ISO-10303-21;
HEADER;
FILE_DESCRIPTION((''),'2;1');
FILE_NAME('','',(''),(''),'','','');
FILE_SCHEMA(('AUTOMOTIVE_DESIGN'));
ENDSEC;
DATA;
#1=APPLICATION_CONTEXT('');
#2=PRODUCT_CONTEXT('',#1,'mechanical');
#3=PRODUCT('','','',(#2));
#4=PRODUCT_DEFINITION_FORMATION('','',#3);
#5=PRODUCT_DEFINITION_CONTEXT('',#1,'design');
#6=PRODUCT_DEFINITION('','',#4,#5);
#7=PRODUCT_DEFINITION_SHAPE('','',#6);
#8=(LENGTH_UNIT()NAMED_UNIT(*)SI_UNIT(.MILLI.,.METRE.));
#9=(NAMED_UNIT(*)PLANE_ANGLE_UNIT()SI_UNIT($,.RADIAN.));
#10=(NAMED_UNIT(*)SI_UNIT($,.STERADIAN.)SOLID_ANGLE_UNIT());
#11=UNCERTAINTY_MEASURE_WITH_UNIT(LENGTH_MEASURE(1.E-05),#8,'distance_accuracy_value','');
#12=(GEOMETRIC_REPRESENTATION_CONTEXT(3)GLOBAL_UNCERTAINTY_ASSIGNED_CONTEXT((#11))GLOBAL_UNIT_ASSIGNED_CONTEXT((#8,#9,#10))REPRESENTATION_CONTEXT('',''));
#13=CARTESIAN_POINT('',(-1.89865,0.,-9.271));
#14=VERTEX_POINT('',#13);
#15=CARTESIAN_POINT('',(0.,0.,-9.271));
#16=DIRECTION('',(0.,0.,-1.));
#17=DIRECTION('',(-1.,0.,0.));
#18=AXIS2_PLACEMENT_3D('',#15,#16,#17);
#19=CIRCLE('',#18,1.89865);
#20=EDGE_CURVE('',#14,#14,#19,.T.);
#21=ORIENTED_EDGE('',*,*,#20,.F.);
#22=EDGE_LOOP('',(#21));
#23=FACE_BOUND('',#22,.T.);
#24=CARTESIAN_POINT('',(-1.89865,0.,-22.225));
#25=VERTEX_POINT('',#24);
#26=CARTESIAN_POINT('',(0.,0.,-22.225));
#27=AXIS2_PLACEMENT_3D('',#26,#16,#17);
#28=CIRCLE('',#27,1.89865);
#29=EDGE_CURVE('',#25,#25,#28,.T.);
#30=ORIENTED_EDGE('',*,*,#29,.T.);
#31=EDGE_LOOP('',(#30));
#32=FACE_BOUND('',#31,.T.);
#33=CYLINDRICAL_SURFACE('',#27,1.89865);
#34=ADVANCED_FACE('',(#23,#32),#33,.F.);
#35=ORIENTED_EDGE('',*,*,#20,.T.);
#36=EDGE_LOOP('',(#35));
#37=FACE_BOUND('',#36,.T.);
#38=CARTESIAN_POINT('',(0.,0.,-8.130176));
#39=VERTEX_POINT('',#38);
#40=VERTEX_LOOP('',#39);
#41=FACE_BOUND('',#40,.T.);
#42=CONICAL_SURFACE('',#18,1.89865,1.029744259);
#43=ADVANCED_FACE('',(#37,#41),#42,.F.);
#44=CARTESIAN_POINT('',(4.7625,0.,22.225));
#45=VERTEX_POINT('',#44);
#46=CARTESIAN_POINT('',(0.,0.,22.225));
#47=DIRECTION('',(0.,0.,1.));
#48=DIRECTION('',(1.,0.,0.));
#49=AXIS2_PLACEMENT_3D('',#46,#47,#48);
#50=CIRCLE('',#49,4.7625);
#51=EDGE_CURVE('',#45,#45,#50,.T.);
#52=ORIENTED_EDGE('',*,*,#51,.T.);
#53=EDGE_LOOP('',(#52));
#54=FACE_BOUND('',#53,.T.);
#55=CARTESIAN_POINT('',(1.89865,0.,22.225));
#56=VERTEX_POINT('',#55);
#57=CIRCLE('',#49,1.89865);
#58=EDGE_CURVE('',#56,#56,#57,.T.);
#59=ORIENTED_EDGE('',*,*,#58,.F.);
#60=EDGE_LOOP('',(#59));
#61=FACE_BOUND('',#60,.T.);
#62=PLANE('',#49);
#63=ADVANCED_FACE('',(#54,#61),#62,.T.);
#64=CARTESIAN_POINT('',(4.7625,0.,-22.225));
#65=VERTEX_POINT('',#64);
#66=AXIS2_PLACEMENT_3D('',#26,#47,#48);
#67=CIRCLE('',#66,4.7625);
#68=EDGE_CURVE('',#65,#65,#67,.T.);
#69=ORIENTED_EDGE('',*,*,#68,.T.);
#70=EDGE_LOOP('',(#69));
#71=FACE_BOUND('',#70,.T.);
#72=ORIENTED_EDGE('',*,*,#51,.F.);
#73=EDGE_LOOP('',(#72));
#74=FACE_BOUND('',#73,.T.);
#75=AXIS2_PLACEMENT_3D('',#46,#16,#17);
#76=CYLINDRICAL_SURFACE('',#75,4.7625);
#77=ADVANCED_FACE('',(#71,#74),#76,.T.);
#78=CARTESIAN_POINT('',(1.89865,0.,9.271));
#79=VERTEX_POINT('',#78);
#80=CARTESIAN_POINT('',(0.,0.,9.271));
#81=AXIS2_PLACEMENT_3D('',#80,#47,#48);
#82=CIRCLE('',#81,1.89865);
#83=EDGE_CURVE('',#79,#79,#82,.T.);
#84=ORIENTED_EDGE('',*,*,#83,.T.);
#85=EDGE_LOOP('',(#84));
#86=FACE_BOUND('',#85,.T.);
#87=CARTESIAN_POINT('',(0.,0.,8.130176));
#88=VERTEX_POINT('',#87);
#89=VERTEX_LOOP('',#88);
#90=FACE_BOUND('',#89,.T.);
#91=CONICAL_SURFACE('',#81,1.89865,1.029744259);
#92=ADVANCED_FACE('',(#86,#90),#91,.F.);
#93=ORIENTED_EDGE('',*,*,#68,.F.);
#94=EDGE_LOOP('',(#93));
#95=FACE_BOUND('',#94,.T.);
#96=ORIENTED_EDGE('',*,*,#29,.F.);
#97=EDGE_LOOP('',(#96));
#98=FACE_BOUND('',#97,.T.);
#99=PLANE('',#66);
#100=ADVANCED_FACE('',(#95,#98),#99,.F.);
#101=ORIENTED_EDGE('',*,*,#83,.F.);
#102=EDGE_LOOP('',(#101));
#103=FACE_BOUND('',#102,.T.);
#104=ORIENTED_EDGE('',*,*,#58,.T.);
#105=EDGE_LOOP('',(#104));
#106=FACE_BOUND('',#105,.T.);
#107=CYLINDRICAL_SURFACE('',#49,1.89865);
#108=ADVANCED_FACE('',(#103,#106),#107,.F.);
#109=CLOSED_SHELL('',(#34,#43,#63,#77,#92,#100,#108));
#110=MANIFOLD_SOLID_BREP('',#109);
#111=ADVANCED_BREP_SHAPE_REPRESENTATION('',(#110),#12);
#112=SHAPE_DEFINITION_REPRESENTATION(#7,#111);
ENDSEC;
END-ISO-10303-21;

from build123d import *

# Parameters (mm, degrees)
SKETCH1_R                            = 4.7625
BOSS_EXTRUDE1_DEPTH                  = 22.225
F_10_24_TAPPED_HOLE1_D               = 3.7973
F_10_24_TAPPED_HOLE1_DEPTH           = 12.954
F_10_24_TAPPED_HOLE1_TIP             = 1.140824014
F_10_24_TAPPED_HOLE1_ON_FACE_2_D     = 3.7973
F_10_24_TAPPED_HOLE1_ON_FACE_2_DEPTH = 12.954
F_10_24_TAPPED_HOLE1_ON_FACE_2_TIP   = 1.140824014


with BuildPart() as part:
    # Sketch1 → Boss-Extrude1 (new, symmetric)
    with BuildSketch(Plane.XY):
        Circle(SKETCH1_R)
    extrude(amount=BOSS_EXTRUDE1_DEPTH, both=True)

    # #10-24 Tapped Hole1
    with Locations(Plane.XY.offset(22.225)):
        with Locations((0, 0)):
            Hole(F_10_24_TAPPED_HOLE1_D / 2, depth=F_10_24_TAPPED_HOLE1_DEPTH)
            with Locations((0, 0, -(F_10_24_TAPPED_HOLE1_DEPTH + F_10_24_TAPPED_HOLE1_TIP / 2))):  # 118° drill point
                Cone(0, F_10_24_TAPPED_HOLE1_D / 2, F_10_24_TAPPED_HOLE1_TIP, mode=Mode.SUBTRACT)

    # #10-24 Tapped Hole1 on face 2
    with Locations(Plane(origin=(0, 0, -22.225), x_dir=(-1, 0, 0), z_dir=(0, 0, -1))):
        with Locations((0, 0)):
            Hole(F_10_24_TAPPED_HOLE1_ON_FACE_2_D / 2, depth=F_10_24_TAPPED_HOLE1_ON_FACE_2_DEPTH)
            with Locations((0, 0, -(F_10_24_TAPPED_HOLE1_ON_FACE_2_DEPTH + F_10_24_TAPPED_HOLE1_ON_FACE_2_TIP / 2))):  # 118° drill point
                Cone(0, F_10_24_TAPPED_HOLE1_ON_FACE_2_D / 2, F_10_24_TAPPED_HOLE1_ON_FACE_2_TIP, mode=Mode.SUBTRACT)


solid = part.part
